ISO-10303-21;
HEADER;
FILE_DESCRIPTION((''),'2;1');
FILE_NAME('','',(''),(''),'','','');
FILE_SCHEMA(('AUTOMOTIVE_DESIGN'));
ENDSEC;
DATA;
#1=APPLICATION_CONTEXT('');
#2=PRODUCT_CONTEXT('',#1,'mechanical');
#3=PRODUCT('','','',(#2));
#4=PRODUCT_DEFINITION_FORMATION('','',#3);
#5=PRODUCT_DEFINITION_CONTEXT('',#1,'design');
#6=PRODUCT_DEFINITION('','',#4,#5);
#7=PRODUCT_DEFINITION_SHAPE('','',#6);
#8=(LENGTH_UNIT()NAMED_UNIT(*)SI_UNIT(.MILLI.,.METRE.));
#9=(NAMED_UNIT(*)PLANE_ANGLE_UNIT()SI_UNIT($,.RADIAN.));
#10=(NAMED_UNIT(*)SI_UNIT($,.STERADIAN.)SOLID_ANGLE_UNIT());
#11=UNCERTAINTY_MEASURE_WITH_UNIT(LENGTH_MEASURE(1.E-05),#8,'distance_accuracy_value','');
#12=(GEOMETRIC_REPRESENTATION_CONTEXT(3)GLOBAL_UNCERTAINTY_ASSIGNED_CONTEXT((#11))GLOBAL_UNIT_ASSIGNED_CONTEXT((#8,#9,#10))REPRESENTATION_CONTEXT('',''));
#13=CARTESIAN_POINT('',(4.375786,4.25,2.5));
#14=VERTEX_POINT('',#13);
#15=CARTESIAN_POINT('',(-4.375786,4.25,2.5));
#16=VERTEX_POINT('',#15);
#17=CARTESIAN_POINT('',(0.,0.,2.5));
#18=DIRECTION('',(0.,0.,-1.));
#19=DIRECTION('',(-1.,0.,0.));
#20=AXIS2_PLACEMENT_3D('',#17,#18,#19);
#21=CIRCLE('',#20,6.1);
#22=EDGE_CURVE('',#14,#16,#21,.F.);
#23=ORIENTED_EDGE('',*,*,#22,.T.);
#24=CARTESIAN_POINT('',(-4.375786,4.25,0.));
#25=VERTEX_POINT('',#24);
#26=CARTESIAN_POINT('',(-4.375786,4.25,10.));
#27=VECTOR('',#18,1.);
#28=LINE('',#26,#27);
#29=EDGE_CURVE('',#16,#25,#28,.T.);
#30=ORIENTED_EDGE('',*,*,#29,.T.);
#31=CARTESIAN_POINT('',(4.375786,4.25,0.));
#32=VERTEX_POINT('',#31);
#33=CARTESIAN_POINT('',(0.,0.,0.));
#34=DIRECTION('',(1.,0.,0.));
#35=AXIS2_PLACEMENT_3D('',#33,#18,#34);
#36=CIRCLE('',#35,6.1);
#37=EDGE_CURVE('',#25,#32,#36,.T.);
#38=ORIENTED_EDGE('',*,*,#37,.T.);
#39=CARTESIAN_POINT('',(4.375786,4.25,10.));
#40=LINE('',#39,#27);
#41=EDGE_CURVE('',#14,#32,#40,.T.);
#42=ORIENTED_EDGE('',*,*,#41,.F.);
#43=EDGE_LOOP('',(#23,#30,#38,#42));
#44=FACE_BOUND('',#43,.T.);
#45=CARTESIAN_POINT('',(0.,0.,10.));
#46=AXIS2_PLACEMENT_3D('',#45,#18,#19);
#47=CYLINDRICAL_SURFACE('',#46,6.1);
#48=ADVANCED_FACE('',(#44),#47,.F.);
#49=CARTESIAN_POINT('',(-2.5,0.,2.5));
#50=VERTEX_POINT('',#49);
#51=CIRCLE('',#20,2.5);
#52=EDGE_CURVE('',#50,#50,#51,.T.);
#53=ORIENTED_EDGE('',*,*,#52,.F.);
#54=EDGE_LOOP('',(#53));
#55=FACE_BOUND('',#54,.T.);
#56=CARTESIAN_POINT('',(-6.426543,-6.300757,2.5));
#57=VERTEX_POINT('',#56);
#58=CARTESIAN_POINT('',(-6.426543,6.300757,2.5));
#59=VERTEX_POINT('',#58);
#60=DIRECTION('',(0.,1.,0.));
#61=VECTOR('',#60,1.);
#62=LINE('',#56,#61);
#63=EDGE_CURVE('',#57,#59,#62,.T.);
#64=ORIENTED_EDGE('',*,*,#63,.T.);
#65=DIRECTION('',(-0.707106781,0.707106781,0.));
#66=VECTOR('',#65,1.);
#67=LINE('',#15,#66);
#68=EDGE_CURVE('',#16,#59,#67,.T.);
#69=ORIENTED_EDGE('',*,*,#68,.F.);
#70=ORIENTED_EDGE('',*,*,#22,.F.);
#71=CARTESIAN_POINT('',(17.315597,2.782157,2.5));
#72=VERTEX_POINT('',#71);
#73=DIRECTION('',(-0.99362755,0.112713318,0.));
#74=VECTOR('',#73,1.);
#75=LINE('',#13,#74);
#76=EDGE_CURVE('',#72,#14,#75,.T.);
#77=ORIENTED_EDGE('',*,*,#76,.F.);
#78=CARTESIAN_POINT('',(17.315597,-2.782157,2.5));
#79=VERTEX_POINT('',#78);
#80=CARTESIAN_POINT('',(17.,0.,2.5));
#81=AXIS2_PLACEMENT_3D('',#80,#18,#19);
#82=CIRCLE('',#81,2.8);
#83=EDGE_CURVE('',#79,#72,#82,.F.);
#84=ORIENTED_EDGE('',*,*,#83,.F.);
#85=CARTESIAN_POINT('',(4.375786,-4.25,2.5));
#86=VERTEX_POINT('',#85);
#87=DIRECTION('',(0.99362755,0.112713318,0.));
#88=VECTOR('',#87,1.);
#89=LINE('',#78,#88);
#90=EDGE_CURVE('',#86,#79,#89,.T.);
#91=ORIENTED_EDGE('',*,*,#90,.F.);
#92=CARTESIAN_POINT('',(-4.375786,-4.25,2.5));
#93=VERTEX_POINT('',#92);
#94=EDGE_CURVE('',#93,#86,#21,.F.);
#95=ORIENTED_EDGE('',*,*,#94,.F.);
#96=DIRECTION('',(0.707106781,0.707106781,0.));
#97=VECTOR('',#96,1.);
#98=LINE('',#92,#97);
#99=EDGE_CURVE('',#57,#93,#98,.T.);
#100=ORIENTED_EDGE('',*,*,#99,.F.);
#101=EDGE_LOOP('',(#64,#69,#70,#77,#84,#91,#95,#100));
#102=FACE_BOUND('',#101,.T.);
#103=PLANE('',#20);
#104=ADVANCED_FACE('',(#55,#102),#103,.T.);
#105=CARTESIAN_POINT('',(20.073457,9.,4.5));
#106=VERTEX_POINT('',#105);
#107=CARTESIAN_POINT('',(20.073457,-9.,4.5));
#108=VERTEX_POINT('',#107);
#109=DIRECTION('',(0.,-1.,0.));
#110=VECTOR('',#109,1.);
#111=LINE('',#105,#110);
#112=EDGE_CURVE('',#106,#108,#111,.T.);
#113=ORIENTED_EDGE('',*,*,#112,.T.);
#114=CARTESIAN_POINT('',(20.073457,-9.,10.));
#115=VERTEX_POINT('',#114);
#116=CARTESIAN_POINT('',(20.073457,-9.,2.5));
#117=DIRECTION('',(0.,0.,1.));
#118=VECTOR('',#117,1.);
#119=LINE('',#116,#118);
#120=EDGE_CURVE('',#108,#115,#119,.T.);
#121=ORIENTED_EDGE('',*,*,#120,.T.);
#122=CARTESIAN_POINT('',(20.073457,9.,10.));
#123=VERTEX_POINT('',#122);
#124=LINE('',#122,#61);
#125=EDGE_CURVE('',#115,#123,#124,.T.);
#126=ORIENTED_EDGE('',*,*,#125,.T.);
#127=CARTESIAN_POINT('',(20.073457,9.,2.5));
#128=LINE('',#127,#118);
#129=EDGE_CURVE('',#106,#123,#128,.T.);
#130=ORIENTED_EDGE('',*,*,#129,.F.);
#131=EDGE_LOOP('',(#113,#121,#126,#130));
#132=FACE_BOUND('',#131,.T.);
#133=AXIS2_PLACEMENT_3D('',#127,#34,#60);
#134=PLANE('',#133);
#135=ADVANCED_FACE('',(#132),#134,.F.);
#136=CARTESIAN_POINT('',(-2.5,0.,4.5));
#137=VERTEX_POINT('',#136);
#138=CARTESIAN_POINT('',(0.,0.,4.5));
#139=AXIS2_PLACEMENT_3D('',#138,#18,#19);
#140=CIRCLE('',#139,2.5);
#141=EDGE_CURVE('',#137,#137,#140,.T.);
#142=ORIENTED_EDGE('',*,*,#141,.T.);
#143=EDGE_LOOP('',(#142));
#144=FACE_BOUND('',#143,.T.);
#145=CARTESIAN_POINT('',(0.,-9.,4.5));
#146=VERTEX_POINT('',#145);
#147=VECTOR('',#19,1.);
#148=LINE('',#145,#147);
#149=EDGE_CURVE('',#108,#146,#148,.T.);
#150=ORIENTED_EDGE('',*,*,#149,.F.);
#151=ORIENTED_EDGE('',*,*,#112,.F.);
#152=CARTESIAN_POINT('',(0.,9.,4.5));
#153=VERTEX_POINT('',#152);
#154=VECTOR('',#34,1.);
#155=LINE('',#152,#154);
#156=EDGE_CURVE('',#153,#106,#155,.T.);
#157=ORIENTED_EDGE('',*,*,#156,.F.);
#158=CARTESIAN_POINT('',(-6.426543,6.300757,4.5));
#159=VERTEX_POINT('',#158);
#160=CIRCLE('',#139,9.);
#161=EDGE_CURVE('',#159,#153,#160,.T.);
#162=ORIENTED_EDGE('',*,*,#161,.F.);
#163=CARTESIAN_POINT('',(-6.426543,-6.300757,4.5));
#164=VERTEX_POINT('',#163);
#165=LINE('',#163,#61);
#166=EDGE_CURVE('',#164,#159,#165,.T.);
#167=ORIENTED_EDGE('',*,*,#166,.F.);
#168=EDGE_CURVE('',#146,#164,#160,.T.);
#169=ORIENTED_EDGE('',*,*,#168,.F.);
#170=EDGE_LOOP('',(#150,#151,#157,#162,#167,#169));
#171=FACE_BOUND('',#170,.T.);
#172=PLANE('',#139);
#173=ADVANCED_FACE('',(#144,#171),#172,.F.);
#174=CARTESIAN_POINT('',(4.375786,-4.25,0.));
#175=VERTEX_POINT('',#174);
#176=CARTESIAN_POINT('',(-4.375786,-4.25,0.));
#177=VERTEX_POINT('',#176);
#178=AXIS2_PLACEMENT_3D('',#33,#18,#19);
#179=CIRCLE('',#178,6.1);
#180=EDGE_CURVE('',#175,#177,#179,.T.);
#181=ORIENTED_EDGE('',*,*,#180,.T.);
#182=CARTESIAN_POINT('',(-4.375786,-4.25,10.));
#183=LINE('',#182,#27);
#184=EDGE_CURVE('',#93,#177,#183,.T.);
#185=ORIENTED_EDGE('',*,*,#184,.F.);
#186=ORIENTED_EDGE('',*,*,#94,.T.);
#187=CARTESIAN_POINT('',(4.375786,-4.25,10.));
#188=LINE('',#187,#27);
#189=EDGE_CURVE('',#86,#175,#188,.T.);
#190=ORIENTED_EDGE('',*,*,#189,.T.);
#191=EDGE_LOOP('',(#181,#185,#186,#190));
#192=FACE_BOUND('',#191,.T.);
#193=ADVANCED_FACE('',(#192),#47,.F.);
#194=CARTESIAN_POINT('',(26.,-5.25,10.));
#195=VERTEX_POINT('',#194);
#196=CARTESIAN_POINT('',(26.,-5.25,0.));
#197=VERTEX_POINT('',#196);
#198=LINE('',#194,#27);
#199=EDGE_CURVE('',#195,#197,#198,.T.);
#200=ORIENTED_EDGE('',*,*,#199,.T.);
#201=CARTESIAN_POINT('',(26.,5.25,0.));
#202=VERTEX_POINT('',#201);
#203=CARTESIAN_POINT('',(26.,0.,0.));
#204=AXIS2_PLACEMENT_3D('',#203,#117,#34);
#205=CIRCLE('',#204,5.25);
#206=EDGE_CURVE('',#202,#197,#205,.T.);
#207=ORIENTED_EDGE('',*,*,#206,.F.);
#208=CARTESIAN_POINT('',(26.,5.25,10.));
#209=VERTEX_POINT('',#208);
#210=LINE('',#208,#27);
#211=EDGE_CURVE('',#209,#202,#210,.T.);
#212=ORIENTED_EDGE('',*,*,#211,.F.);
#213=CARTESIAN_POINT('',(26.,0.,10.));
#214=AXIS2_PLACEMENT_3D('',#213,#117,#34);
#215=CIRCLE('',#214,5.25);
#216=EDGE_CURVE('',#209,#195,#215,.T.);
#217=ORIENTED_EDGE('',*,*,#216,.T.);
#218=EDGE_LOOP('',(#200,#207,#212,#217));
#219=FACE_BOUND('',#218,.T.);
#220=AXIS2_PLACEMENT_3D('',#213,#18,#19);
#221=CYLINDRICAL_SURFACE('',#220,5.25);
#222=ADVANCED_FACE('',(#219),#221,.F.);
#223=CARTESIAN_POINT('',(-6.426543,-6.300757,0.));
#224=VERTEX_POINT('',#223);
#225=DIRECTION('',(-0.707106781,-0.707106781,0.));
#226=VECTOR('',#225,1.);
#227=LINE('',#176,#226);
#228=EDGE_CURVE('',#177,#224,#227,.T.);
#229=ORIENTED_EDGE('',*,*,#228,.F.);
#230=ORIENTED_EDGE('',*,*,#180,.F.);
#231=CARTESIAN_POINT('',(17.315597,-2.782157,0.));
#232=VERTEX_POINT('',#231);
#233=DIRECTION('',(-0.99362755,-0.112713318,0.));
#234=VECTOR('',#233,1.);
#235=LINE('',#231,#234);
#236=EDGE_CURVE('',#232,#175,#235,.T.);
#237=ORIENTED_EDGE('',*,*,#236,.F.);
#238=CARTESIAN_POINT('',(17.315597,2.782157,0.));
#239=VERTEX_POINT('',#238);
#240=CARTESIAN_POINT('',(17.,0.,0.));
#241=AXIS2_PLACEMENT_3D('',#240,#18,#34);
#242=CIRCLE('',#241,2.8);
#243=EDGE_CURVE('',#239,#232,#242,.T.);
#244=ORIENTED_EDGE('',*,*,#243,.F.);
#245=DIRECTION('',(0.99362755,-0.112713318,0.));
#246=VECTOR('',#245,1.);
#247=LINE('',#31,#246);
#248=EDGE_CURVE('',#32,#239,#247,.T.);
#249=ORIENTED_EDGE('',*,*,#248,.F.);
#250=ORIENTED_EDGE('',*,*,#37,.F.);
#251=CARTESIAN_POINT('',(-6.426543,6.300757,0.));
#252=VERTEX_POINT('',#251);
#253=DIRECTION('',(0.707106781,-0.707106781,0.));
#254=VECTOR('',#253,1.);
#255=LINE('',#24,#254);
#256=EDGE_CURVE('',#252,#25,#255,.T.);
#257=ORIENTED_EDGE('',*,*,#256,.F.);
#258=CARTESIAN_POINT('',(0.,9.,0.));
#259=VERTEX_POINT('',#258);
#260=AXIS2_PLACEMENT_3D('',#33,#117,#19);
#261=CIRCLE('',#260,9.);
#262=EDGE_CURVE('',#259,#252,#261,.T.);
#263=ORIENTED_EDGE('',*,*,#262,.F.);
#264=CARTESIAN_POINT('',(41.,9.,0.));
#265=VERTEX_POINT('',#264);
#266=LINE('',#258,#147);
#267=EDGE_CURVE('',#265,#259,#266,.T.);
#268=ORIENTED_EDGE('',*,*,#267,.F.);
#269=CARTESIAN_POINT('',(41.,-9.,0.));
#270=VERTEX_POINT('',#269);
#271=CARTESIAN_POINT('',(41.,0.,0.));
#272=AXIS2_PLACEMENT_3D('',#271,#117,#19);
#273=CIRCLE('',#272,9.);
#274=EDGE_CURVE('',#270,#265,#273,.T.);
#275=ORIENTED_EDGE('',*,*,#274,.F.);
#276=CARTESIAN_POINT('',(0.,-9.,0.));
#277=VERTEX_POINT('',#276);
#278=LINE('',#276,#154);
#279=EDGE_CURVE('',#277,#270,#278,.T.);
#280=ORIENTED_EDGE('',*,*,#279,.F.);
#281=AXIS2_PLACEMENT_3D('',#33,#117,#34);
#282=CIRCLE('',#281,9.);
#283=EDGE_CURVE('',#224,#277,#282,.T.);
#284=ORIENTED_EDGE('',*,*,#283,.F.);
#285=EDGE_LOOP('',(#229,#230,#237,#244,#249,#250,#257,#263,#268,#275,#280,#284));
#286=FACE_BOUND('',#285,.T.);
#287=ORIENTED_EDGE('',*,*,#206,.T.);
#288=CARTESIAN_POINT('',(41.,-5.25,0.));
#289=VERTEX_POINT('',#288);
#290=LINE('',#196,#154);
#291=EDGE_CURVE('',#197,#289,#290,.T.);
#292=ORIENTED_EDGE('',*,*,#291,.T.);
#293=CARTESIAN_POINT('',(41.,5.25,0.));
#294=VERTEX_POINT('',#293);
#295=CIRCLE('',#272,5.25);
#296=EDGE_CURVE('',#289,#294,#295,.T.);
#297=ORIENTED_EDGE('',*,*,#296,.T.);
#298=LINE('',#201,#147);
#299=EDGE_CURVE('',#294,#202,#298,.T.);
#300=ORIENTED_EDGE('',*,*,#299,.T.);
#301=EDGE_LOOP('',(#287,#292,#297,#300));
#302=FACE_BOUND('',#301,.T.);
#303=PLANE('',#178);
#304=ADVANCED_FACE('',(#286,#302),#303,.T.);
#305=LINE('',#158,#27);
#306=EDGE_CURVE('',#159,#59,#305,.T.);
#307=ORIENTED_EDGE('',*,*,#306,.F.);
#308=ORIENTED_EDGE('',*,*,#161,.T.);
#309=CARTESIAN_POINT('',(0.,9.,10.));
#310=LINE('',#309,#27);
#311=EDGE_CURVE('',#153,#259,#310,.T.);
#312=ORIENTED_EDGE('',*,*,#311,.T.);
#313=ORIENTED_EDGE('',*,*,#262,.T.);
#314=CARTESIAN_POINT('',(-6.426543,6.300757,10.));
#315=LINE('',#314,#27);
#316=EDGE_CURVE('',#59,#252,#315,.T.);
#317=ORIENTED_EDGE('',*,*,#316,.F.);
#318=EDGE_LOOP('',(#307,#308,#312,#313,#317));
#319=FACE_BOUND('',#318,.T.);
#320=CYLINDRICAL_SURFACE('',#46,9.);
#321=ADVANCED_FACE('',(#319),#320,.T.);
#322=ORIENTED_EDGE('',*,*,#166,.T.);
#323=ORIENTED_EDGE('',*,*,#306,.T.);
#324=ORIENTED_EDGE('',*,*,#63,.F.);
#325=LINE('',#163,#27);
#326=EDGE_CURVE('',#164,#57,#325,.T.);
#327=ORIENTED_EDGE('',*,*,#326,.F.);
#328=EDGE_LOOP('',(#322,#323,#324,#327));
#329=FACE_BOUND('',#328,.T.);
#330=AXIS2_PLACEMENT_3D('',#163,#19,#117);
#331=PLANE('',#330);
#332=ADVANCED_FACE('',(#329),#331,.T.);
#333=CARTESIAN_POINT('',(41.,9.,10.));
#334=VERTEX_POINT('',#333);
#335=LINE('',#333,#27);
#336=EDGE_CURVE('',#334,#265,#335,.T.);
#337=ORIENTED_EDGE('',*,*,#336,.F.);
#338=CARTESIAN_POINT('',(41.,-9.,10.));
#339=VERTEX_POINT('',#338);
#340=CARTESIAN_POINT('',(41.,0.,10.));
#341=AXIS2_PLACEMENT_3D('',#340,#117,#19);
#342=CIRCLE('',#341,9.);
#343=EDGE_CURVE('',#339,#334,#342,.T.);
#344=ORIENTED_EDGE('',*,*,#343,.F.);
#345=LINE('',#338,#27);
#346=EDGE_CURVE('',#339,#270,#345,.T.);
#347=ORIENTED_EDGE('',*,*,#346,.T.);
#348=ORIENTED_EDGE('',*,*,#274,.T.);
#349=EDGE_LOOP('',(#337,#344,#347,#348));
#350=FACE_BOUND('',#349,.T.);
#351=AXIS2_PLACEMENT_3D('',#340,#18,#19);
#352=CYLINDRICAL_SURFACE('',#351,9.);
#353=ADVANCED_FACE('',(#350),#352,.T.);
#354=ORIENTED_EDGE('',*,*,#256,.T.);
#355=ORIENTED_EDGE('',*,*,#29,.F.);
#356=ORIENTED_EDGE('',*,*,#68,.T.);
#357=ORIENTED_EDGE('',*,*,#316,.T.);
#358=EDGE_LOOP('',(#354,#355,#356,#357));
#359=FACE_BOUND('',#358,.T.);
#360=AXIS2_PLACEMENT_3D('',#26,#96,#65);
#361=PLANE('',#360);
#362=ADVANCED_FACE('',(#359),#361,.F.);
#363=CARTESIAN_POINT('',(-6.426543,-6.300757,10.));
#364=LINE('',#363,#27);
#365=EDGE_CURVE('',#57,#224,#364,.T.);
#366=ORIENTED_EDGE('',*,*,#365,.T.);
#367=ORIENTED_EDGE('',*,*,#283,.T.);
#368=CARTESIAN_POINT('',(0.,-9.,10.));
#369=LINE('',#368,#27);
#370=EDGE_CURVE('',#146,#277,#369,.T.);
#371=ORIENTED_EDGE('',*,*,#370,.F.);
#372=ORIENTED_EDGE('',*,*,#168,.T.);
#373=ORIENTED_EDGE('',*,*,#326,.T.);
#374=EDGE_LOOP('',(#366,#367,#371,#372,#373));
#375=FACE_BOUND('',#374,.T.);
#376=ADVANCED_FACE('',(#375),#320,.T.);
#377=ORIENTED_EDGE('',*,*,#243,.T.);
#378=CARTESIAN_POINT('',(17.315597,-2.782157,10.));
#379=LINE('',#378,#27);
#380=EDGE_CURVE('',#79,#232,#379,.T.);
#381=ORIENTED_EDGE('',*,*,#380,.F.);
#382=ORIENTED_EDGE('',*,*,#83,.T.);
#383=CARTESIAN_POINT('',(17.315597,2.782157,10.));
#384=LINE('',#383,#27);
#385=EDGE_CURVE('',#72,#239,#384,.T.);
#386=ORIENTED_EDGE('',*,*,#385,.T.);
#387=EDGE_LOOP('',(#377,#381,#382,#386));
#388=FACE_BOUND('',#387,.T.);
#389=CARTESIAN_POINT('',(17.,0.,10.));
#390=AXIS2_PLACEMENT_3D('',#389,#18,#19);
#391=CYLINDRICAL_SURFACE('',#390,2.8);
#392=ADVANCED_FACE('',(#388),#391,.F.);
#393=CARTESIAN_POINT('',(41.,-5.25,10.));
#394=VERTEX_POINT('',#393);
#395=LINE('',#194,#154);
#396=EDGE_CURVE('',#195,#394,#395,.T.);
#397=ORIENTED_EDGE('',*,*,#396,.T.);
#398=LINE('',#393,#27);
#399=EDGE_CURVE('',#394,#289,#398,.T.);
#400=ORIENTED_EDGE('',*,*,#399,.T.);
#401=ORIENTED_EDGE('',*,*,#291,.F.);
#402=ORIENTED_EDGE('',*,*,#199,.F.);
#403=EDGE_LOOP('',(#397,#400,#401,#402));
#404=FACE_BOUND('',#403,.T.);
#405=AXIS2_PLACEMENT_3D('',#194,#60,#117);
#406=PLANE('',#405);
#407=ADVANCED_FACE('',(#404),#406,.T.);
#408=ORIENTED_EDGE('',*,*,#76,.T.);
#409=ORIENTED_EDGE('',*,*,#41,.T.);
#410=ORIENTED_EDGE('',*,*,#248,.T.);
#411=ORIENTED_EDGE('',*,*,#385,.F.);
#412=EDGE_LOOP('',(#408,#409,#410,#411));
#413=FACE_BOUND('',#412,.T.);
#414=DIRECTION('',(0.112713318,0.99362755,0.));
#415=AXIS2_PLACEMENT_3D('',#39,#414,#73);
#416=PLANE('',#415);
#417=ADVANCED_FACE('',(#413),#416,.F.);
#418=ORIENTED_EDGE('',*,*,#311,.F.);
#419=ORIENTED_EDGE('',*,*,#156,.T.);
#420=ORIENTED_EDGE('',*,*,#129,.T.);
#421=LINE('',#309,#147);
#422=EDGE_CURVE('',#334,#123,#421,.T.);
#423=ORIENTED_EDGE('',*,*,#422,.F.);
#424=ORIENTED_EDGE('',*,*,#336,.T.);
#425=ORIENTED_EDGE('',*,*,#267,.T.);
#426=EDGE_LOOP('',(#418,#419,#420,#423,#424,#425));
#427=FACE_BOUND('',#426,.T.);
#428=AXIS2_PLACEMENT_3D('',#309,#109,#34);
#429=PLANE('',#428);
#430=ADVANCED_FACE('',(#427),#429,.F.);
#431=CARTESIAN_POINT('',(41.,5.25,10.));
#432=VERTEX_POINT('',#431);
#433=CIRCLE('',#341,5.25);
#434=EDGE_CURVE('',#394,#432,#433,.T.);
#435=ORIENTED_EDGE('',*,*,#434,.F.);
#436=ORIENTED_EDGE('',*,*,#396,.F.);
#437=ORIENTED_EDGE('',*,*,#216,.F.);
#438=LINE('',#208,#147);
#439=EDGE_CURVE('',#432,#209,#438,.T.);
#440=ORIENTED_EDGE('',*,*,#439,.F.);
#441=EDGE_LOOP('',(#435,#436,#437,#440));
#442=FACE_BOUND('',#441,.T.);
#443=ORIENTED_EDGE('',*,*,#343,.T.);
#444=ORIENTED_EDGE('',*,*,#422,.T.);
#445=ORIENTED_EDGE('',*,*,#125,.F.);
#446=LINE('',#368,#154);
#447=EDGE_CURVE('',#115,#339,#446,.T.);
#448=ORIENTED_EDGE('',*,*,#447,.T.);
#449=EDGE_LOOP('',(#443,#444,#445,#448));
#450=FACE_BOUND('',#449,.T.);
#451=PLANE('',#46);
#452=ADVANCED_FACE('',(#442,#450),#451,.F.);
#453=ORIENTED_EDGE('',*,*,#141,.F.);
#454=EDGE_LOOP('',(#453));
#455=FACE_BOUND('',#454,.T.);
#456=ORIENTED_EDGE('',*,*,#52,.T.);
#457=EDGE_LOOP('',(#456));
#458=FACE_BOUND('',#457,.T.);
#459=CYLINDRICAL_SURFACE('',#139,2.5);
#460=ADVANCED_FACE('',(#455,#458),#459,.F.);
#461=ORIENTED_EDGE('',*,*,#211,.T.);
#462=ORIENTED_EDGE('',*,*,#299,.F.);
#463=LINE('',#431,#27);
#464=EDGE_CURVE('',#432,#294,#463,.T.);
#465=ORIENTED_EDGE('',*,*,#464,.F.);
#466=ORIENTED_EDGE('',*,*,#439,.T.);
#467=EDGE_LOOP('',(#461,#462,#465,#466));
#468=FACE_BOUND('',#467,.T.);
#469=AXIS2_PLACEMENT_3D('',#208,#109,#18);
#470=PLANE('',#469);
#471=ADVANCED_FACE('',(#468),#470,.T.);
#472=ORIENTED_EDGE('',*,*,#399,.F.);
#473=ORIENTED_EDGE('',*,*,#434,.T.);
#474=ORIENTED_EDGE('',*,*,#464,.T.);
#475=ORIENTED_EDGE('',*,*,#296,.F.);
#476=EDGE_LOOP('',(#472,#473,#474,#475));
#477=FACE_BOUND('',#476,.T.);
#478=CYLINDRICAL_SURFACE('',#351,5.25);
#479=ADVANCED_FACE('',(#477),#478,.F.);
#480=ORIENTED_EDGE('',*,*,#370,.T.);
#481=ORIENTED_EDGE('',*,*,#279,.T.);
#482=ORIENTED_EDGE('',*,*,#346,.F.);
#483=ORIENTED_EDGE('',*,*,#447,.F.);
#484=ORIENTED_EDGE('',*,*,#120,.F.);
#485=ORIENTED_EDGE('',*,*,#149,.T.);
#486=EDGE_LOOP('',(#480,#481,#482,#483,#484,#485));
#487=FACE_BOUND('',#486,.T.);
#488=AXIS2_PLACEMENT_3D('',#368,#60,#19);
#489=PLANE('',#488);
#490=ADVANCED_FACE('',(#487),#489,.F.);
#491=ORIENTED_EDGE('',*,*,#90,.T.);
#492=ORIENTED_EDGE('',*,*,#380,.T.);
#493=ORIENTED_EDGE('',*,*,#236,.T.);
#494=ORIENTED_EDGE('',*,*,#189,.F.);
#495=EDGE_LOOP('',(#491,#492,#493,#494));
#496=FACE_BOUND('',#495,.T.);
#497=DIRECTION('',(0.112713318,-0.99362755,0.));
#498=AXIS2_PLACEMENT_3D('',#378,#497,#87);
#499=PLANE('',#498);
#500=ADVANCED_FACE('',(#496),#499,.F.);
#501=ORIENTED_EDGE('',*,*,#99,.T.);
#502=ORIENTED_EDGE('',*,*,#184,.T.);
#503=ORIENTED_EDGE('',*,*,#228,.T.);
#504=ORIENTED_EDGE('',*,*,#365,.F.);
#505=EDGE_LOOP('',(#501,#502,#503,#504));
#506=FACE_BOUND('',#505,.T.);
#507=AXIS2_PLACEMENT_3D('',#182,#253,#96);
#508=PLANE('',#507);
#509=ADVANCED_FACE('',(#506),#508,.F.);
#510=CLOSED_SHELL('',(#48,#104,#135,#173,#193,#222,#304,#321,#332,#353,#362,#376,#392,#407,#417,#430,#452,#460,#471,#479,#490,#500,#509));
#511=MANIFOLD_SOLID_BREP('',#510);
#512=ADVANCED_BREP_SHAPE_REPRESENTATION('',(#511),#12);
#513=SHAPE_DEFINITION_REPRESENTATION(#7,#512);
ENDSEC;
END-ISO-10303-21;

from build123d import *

# Parameters (mm, degrees)
MAIN_DEPTH          = 10
SKETCH1_W           = 26.5
SKETCH1_H           = 18
CUT_EXTRUDE1_DEPTH  = 7.5
ESQUISSE2_R         = 2.5
BOSS_EXTRUDE1_DEPTH = 2


with BuildPart() as part:
    # Esquisse1 → Main (new body)
    with BuildSketch(Plane.XY):
        with BuildLine():
            Line((-4.375785644, 4.25), (-6.426543071, 6.300757427))
            ThreePointArc((-6.426543071, 6.300757427), (-3.48519606, 8.297795395), (0, 9))
            Line((0, 9), (41, 9))
            ThreePointArc((41, 9), (50, 0), (41, -9))
            Line((41, -9), (0, -9))
            ThreePointArc((0, -9), (-3.48519606, -8.297795395), (-6.426543071, -6.300757427))
            Line((-6.426543071, -6.300757427), (-4.375785644, -4.25))
            ThreePointArc((-4.375785644, -4.25), (0, -6.1), (4.375785644, -4.25))
            Line((4.375785644, -4.25), (17.31559729, -2.78215714))
            ThreePointArc((17.31559729, -2.78215714), (19.8, 0), (17.31559729, 2.78215714))
            Line((17.31559729, 2.78215714), (4.375785644, 4.25))
            ThreePointArc((4.375785644, 4.25), (0, 6.1), (-4.375785644, 4.25))
        make_face()
        with BuildLine():
            Line((26, 5.25), (41, 5.25))
            ThreePointArc((41, 5.25), (46.25, 0), (41, -5.25))
            Line((41, -5.25), (26, -5.25))
            ThreePointArc((26, -5.25), (20.75, 0), (26, 5.25))
        make_face(mode=Mode.SUBTRACT)
    extrude(amount=MAIN_DEPTH)

    # Sketch1 → Cut-Extrude1 (cut)
    with BuildSketch(Plane.XY.offset(10)):
        with Locations((6.823456929, 0)):
            Rectangle(SKETCH1_W, SKETCH1_H)
    extrude(amount=-CUT_EXTRUDE1_DEPTH, mode=Mode.SUBTRACT)

    # Esquisse2 → Boss-Extrude1 (add)
    with BuildSketch(Plane(origin=(0, 0, 2.5), x_dir=(-1, 0, 0), z_dir=(0, 0, -1))):
        with BuildLine():
            Line((0, -9), (-20.073456929, -9))
            Line((-20.073456929, -9), (-20.073456929, 9))
            Line((-20.073456929, 9), (0, 9))
            ThreePointArc((0, 9), (3.48519606, 8.297795395), (6.426543071, 6.300757427))
            Line((6.426543071, 6.300757427), (6.426543071, -6.300757427))
            ThreePointArc((6.426543071, -6.300757427), (3.48519606, -8.297795395), (0, -9))
        make_face()
        Circle(ESQUISSE2_R, mode=Mode.SUBTRACT)
    extrude(amount=-BOSS_EXTRUDE1_DEPTH)


solid = part.part
